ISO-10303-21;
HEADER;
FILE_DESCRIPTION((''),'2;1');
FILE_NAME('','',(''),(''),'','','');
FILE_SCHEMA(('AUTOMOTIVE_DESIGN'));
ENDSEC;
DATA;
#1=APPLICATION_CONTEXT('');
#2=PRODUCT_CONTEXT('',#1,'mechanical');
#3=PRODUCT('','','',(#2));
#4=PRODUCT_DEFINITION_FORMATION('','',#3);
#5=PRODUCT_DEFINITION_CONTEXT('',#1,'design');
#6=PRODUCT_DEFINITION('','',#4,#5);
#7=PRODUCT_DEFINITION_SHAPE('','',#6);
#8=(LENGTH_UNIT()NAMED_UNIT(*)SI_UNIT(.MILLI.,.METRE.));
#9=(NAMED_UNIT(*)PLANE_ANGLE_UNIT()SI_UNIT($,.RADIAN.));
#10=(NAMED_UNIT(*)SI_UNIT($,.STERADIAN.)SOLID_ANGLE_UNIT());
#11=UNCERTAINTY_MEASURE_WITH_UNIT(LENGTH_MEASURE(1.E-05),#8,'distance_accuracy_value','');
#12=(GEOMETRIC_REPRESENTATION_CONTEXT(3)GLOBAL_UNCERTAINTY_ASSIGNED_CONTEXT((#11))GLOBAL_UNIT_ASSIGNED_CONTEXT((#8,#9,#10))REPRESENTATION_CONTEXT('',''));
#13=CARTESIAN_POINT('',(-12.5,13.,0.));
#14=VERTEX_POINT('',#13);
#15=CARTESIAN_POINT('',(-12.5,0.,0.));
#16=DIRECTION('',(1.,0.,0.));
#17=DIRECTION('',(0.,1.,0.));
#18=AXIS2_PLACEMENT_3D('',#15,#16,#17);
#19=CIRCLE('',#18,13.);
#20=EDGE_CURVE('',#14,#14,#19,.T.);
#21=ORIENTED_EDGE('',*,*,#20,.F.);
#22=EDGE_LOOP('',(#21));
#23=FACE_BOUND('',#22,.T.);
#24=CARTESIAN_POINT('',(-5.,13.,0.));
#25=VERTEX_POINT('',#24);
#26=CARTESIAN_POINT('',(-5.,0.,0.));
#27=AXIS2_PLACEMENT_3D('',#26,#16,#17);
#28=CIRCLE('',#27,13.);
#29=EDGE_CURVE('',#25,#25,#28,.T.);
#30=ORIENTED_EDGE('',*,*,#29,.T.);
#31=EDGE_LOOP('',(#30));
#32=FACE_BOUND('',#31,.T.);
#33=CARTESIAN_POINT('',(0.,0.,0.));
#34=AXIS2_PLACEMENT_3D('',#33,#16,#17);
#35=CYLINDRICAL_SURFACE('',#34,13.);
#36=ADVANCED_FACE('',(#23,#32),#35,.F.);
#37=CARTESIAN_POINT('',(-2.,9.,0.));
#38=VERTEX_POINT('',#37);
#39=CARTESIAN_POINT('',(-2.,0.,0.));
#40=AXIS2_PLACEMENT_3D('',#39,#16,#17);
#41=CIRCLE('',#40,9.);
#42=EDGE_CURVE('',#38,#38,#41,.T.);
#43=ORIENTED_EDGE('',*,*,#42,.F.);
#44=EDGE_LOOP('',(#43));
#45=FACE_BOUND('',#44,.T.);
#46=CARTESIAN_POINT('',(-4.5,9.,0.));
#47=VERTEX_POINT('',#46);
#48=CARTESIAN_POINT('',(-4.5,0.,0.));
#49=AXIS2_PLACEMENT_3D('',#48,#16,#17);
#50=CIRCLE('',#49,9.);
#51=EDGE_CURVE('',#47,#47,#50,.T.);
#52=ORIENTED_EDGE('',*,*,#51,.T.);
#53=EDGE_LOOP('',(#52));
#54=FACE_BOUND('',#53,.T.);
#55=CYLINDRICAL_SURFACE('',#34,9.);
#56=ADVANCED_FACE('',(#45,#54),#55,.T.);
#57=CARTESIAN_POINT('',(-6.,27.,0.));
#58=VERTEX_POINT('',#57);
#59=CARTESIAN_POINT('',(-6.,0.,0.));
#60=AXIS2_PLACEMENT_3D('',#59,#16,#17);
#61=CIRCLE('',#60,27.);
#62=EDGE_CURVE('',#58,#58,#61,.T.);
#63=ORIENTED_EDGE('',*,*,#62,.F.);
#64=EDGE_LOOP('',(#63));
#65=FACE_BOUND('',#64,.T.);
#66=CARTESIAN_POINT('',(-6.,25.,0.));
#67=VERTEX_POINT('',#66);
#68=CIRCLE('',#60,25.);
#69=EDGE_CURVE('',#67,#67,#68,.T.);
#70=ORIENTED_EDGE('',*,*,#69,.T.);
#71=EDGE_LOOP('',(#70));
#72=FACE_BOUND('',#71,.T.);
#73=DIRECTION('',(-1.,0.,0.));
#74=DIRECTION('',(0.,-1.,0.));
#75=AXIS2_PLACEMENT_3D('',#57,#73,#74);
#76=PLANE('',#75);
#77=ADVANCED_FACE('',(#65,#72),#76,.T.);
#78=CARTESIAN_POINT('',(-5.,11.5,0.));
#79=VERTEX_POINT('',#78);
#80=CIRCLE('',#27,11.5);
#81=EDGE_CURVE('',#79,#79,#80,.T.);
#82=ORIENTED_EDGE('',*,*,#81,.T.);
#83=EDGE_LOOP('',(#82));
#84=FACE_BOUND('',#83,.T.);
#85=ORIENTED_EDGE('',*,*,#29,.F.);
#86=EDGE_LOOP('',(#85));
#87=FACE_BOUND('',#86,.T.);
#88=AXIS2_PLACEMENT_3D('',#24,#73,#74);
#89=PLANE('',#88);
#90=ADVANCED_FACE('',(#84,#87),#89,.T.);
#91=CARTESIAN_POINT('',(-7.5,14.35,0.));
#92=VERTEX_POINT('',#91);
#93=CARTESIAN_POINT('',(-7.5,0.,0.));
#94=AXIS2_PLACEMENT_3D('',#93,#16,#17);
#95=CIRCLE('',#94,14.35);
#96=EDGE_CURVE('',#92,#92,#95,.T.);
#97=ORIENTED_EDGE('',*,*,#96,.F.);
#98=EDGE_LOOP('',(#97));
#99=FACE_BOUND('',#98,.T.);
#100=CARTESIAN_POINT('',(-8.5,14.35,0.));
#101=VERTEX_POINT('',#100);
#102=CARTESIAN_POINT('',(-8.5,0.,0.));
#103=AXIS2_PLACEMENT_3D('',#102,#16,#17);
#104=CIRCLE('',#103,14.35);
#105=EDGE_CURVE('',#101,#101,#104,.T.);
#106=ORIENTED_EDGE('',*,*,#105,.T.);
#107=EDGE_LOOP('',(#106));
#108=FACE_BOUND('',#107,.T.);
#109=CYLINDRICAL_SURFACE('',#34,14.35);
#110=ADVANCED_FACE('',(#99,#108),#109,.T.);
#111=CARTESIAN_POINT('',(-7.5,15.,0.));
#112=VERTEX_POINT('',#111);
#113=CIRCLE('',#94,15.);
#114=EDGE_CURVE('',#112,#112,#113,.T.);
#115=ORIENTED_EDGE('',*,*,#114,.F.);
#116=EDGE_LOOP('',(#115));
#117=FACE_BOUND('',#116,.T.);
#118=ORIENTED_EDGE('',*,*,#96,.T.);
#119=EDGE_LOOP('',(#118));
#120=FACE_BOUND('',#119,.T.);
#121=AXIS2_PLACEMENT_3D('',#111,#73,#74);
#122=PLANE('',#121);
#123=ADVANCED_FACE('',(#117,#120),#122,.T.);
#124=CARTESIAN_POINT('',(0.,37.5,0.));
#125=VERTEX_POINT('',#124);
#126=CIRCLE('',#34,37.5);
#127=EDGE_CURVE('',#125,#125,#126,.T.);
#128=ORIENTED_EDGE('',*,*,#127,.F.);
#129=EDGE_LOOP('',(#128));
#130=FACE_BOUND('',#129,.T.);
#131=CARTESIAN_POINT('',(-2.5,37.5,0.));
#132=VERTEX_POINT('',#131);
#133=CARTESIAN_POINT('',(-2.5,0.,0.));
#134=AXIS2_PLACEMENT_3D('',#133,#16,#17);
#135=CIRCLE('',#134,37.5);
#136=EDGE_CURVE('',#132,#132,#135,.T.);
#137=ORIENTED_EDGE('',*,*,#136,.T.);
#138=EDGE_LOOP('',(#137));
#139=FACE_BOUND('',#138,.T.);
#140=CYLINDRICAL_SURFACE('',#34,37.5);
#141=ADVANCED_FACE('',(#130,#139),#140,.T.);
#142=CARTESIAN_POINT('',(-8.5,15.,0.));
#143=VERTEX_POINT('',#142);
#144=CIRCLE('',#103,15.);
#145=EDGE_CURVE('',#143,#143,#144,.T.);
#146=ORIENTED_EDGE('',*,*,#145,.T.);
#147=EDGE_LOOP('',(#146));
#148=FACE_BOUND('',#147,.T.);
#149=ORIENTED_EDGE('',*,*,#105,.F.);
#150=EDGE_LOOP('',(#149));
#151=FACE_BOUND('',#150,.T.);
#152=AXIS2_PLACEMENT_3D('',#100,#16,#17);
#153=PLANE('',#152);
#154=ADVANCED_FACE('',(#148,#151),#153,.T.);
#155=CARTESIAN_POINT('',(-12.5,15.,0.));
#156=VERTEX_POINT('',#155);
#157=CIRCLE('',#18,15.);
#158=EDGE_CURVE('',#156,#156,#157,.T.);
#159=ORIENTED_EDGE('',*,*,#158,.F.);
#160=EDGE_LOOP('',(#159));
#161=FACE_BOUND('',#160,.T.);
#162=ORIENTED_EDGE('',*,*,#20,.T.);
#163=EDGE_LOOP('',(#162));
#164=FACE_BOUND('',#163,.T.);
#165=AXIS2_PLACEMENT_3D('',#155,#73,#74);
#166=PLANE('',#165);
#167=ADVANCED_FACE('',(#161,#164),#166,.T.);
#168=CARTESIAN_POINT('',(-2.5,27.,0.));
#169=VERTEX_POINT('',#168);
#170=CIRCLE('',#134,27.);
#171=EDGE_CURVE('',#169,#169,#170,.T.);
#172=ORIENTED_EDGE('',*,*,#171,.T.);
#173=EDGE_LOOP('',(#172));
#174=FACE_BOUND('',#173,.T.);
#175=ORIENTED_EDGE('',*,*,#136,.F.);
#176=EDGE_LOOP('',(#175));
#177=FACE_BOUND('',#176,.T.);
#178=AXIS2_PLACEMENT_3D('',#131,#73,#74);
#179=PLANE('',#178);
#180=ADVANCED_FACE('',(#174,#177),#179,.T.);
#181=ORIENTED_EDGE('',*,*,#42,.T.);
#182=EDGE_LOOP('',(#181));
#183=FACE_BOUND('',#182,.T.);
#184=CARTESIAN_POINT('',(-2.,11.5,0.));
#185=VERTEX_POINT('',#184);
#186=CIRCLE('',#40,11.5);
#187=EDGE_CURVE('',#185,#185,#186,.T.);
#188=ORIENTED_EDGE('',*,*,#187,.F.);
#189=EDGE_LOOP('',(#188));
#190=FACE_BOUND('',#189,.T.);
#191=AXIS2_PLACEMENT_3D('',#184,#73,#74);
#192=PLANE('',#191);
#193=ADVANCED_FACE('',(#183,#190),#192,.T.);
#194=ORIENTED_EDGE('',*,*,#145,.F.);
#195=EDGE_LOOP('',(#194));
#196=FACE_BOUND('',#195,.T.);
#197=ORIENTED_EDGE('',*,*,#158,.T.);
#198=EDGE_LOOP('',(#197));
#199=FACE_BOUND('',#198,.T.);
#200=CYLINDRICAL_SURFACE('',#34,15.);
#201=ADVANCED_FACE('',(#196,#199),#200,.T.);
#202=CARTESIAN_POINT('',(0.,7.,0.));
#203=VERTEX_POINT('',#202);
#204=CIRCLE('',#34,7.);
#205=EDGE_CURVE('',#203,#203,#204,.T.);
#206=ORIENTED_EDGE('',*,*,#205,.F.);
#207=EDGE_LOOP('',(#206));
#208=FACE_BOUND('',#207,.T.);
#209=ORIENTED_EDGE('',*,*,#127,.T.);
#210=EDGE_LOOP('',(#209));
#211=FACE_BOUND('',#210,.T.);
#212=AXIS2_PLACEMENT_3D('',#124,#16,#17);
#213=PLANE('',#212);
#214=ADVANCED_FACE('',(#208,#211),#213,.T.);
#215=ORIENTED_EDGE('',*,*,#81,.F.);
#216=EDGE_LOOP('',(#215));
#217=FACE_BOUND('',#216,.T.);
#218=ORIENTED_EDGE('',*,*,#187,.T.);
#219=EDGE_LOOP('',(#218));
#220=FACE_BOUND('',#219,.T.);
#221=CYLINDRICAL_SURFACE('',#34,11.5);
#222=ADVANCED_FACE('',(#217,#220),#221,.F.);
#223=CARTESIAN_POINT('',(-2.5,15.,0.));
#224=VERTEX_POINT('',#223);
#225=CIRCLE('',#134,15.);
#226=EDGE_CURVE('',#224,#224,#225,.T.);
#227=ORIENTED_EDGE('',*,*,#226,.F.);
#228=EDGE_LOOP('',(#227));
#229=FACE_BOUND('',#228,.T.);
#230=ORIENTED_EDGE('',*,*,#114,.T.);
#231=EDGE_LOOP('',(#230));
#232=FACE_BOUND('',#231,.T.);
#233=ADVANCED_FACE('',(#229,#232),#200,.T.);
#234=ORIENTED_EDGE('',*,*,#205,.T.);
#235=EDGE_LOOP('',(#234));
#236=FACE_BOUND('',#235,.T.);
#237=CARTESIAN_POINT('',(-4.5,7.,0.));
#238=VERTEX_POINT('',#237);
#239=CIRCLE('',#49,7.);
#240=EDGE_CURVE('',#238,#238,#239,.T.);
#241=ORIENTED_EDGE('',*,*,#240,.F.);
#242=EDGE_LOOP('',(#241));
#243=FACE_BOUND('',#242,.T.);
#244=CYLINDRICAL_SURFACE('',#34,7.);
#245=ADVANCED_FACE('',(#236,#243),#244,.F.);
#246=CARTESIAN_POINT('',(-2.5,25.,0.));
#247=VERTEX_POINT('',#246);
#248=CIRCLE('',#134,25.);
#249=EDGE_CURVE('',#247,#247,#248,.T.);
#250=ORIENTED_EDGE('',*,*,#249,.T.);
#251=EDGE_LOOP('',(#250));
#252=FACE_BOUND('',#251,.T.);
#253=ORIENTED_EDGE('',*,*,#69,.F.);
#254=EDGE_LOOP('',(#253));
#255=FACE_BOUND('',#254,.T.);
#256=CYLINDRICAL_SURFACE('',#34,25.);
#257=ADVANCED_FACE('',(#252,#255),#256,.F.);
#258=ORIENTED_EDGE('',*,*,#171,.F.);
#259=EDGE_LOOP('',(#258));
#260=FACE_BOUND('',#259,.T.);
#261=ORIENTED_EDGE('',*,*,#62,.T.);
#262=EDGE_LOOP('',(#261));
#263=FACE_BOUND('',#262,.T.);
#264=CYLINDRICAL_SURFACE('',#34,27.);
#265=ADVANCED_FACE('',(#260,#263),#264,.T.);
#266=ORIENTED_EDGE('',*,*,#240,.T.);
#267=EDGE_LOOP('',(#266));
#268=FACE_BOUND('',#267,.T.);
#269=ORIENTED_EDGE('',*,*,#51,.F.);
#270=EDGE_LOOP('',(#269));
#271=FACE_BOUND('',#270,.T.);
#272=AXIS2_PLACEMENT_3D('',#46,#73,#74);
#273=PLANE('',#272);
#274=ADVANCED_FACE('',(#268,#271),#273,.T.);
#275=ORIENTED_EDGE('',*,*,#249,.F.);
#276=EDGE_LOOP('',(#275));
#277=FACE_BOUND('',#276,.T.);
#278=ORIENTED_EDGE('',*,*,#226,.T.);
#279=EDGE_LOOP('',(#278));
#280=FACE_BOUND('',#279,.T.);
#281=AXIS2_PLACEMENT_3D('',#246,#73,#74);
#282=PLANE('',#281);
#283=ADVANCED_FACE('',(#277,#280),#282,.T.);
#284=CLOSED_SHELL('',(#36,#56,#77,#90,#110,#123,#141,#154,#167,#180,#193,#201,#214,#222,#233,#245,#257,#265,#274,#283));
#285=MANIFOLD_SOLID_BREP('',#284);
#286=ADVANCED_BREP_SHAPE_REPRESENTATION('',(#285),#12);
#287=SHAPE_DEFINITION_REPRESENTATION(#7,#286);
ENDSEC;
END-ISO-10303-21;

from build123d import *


with BuildPart() as part:
    # Sketch1 → Base-Revolve (revolve)
    with BuildSketch(Plane.XY):
        Polygon((0, 37.5), (0, 7), (-4.5, 7), (-4.5, 9), (-2, 9), (-2, 11.5), (-5, 11.5), (-5, 13), (-12.5, 13), (-12.5, 15), (-8.5, 15), (-8.5, 14.35), (-7.5, 14.35), (-7.5, 15), (-2.5, 15), (-2.5, 25), (-6, 25), (-6, 27), (-2.5, 27), (-2.5, 37.5), align=None)
    revolve(axis=Axis((0, 0, 0), (-1, 0, 0)))


solid = part.part
